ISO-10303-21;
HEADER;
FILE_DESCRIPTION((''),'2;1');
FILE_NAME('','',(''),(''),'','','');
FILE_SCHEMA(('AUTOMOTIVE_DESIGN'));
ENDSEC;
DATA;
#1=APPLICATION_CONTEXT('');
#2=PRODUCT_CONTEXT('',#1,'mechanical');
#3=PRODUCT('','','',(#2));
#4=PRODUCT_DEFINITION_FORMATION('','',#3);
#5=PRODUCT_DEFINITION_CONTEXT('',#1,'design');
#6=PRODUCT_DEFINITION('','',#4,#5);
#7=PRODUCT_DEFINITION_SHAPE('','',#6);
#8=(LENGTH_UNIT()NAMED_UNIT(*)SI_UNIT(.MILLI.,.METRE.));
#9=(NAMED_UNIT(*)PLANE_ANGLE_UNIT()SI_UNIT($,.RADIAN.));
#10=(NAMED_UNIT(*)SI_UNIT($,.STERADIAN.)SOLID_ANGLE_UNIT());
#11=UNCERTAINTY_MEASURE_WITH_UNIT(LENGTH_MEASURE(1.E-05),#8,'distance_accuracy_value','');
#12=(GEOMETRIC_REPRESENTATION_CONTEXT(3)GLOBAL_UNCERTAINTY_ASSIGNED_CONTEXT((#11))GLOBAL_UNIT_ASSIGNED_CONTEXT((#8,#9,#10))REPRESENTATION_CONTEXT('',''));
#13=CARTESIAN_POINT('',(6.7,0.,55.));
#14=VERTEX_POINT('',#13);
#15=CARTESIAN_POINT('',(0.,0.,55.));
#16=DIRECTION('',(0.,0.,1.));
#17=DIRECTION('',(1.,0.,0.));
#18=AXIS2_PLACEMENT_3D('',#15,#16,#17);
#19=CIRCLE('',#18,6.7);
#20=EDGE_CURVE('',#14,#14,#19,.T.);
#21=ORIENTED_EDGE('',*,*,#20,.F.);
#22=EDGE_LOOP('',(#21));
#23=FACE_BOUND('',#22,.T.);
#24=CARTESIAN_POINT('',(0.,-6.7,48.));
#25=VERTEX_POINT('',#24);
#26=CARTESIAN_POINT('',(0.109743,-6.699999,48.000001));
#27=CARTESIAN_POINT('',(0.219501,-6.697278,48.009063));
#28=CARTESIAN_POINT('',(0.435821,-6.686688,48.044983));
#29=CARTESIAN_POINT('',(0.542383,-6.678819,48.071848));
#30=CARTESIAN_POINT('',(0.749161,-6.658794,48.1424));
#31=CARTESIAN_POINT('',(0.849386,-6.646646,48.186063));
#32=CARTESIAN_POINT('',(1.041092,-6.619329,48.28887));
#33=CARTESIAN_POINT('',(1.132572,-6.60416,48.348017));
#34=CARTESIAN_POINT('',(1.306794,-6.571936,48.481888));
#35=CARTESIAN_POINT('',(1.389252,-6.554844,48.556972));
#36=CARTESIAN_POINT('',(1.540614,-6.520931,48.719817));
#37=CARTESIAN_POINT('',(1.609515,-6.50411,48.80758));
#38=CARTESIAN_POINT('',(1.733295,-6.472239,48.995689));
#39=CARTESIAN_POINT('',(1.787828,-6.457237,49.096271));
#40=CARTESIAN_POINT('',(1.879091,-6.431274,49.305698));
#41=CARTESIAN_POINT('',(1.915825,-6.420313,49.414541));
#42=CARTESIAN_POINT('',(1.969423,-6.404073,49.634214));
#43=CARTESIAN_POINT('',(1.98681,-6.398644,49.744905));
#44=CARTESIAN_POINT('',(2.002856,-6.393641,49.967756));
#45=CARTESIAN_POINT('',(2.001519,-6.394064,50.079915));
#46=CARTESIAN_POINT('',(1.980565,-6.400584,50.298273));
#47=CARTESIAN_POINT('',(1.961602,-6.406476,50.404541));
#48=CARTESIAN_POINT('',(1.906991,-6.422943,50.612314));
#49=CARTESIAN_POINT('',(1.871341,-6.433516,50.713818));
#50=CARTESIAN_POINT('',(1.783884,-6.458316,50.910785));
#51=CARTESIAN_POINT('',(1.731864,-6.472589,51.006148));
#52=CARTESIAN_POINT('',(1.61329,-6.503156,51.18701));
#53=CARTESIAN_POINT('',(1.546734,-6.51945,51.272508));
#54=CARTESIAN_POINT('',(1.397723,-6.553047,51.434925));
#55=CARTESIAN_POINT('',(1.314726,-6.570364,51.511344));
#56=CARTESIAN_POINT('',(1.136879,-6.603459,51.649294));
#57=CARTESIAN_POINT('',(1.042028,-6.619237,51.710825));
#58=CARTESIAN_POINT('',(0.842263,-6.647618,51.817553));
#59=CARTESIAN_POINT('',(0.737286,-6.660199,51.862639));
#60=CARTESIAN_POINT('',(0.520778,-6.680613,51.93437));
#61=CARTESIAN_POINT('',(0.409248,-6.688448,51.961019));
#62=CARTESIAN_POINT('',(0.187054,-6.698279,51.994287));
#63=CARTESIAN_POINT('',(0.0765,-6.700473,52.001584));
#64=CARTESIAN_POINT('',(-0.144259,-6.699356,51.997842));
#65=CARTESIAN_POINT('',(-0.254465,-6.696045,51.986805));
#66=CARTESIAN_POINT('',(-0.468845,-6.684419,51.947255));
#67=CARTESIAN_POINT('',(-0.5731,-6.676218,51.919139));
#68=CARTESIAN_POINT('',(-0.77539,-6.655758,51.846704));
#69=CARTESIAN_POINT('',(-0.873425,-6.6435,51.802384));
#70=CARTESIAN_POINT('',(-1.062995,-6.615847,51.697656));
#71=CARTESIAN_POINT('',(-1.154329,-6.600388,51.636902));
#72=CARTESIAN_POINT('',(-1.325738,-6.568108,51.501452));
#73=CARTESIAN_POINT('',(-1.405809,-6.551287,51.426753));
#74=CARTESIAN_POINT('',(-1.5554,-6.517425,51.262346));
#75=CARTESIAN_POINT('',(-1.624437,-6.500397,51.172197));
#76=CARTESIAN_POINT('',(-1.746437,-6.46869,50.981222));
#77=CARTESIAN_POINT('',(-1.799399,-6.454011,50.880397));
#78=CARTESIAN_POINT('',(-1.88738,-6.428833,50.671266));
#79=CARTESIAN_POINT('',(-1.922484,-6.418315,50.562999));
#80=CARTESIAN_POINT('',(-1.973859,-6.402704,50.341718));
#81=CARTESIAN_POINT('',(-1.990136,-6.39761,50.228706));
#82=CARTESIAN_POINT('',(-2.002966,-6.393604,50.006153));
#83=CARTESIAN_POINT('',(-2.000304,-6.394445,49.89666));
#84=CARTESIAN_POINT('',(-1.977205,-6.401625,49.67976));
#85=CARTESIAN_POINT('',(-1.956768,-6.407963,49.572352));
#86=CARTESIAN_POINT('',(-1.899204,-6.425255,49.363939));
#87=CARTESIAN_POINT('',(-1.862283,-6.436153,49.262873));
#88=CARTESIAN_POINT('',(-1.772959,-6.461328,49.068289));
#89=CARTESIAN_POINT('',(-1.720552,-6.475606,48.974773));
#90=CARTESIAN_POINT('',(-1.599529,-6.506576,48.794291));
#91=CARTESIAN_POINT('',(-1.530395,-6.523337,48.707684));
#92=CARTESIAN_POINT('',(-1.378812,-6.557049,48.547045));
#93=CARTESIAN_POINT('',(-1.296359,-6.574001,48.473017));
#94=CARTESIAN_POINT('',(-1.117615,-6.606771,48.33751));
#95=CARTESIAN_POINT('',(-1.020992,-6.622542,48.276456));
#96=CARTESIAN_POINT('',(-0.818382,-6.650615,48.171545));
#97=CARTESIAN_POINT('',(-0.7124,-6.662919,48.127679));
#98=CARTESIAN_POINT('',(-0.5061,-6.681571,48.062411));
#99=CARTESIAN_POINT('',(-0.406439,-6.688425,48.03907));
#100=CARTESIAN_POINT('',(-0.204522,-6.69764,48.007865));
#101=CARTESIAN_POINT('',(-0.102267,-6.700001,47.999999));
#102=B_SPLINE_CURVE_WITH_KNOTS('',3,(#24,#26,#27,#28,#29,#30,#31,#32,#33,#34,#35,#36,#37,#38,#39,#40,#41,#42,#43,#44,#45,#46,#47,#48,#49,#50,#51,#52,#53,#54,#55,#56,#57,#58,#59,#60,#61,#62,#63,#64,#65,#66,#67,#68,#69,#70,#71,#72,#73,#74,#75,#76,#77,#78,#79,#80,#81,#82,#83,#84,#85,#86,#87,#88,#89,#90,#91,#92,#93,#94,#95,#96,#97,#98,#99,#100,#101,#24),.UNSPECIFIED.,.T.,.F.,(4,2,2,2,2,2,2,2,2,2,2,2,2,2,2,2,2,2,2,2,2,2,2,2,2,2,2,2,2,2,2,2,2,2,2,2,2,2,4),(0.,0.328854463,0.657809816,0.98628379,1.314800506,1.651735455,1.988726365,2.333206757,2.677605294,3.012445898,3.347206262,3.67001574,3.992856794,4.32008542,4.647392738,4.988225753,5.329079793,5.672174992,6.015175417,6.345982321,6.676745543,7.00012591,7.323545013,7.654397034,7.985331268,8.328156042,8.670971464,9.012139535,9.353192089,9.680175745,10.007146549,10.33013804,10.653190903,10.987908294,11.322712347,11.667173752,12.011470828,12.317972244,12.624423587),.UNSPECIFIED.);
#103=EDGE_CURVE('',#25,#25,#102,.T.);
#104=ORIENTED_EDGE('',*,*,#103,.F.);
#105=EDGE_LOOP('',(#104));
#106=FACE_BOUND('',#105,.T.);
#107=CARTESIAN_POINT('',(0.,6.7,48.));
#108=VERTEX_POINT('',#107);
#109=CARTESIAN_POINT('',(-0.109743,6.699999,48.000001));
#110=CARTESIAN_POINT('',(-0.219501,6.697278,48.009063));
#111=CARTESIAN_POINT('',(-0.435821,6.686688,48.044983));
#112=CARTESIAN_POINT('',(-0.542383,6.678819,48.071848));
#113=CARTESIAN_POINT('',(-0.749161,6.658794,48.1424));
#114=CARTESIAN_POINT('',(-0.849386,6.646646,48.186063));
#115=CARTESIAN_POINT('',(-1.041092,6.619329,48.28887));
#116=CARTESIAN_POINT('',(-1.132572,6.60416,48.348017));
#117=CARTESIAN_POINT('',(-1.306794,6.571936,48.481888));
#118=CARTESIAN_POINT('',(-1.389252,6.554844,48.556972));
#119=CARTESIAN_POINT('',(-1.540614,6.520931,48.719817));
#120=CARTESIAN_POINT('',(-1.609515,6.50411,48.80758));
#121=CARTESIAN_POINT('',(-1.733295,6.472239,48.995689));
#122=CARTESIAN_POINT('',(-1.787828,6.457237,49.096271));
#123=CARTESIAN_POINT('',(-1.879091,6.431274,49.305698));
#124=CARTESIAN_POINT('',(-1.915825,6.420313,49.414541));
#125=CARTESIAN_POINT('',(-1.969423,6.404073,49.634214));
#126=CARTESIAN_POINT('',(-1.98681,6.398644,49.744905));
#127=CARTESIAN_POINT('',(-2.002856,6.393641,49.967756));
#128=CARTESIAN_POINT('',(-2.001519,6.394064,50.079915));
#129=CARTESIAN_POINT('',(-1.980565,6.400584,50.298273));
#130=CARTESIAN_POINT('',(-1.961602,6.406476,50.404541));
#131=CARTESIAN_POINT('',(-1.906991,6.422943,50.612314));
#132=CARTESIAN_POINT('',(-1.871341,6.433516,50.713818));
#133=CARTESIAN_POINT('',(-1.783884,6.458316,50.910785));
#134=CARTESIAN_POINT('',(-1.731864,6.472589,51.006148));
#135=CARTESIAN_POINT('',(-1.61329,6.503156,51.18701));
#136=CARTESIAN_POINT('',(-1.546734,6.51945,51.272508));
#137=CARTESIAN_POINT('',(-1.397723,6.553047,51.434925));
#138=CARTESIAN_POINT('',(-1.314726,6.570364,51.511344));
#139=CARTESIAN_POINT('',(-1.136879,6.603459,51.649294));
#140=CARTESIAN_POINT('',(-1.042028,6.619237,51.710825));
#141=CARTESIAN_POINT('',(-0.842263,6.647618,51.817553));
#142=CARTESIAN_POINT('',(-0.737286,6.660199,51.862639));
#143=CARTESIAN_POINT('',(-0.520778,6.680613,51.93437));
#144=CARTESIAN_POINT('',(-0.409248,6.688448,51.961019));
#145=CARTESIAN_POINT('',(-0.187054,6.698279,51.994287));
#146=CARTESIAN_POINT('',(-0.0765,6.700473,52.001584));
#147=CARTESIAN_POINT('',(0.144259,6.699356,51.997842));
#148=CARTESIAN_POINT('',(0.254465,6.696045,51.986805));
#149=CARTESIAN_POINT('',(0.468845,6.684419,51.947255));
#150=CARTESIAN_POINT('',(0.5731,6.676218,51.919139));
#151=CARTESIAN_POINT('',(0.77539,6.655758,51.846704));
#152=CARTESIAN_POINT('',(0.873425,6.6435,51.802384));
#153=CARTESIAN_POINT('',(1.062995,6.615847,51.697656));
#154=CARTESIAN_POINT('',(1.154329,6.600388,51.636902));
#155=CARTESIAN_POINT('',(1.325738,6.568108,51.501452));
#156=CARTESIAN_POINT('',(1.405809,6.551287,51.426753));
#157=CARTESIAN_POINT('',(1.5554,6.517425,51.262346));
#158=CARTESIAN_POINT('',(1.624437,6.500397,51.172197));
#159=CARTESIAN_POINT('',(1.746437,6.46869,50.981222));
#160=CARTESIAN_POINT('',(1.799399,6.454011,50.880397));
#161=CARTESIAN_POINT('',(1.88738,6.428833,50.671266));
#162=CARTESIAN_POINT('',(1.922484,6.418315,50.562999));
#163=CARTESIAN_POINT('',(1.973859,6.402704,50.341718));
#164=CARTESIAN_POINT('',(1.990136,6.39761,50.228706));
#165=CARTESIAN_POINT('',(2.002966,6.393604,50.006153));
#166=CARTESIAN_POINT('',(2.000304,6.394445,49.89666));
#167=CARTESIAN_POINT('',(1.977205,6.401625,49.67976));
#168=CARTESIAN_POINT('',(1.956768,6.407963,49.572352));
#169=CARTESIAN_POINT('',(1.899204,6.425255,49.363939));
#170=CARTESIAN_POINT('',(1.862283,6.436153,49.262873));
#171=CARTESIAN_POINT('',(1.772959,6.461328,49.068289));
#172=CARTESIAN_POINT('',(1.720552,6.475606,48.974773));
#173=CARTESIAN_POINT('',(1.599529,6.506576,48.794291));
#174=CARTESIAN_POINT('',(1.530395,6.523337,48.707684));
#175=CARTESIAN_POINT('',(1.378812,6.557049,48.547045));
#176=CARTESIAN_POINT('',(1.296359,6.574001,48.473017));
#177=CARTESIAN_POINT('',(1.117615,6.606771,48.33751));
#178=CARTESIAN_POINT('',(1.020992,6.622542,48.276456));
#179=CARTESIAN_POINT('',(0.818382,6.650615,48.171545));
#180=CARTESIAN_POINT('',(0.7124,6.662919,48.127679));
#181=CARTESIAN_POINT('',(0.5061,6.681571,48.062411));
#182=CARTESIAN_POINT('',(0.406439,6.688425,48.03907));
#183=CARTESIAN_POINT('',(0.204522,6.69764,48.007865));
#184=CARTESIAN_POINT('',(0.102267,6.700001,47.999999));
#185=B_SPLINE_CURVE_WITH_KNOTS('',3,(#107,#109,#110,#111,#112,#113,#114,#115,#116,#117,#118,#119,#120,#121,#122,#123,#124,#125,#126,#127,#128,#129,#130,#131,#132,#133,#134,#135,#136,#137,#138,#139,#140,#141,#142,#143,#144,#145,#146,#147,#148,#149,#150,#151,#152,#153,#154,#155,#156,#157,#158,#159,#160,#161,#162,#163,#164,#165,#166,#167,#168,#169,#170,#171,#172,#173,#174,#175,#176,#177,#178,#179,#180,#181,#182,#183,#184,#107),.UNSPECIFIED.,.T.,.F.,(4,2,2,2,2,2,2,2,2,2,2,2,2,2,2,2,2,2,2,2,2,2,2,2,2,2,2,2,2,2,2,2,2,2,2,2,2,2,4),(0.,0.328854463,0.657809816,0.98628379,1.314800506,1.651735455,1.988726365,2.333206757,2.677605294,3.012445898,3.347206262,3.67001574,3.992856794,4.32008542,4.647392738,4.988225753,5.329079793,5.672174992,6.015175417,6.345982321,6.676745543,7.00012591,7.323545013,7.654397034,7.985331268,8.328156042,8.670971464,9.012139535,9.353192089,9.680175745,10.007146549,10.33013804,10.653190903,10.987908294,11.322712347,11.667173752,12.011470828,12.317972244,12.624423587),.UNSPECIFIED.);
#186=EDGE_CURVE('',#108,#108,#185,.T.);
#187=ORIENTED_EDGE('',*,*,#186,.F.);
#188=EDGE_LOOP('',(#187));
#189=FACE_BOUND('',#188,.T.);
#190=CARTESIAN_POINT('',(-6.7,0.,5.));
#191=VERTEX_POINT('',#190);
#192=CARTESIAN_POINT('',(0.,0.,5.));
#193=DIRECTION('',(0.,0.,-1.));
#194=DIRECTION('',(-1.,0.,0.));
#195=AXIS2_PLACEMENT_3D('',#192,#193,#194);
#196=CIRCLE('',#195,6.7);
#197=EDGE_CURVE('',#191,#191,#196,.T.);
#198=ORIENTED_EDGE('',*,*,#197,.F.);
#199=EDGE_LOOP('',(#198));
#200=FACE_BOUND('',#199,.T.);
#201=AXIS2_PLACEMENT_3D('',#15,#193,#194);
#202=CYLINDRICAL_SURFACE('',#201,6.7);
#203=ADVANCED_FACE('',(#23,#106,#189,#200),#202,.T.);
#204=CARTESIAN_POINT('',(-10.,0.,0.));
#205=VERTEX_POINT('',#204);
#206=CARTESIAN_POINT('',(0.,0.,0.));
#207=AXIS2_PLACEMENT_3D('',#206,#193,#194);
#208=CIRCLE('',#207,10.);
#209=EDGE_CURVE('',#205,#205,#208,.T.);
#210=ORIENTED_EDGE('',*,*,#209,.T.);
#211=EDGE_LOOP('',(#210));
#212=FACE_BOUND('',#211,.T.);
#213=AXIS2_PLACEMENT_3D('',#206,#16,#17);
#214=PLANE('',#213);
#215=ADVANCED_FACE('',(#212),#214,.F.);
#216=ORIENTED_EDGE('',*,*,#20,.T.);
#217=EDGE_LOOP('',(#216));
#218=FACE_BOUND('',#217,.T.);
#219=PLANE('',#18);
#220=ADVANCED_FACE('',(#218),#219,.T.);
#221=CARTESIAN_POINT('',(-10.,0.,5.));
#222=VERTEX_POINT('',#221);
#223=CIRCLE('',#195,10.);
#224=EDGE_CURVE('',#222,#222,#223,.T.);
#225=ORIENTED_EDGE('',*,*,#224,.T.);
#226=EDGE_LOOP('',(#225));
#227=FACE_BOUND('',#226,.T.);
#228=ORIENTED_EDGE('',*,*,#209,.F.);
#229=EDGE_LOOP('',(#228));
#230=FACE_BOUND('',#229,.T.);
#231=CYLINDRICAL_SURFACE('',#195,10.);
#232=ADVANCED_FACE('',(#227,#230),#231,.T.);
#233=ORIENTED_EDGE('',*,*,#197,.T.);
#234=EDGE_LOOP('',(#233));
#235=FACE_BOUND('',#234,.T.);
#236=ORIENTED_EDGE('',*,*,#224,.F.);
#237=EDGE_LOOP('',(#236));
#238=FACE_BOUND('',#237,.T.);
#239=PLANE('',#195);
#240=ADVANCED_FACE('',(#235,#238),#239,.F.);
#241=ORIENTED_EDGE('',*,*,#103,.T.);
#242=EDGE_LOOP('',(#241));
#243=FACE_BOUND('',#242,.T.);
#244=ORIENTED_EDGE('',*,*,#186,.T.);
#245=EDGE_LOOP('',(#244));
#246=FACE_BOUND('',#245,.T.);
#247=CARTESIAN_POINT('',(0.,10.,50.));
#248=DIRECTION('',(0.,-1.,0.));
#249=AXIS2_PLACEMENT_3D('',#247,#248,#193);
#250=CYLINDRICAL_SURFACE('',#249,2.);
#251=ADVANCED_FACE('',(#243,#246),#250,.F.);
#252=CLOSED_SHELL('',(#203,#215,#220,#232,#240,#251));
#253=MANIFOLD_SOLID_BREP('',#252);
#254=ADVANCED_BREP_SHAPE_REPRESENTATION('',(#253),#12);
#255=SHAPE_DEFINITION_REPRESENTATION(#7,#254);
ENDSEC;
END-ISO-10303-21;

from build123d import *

# Parameters (mm, degrees)
SKETCH2_R               = 6.7
BOSS_EXTRUDE1_DEPTH     = 55
SKETCH3_R               = 10
BOSS_EXTRUDE2_DEPTH     = 5
CUT_EXTRUDE1_DEPTH      = 10
CUT_EXTRUDE1_DEPTH_BACK = 15
SKETCH5_R               = 2


with BuildPart() as part:
    # Sketch2 → Boss-Extrude1 (new body)
    with BuildSketch(Plane.XY):
        Circle(SKETCH2_R)
    extrude(amount=BOSS_EXTRUDE1_DEPTH)

    # Sketch3 → Boss-Extrude2 (add)
    with BuildSketch(Plane(origin=(0, 0, 0), x_dir=(-1, 0, 0), z_dir=(0, 0, -1))):
        Circle(SKETCH3_R)
    extrude(amount=-BOSS_EXTRUDE2_DEPTH)

    # Sketch5 → Cut-Extrude1 (cut, two sides: drawn at the far end of the back side and taken through both)
    with BuildSketch(Plane(origin=(0, 0, 0), x_dir=(1, 0, 0), z_dir=(0, 1, 0)).offset(-CUT_EXTRUDE1_DEPTH_BACK)):
        with Locations(Location((0, -50, 0), (0, 0, 90))):
            Circle(SKETCH5_R)
    extrude(amount=CUT_EXTRUDE1_DEPTH + CUT_EXTRUDE1_DEPTH_BACK, mode=Mode.SUBTRACT)


solid = part.part
